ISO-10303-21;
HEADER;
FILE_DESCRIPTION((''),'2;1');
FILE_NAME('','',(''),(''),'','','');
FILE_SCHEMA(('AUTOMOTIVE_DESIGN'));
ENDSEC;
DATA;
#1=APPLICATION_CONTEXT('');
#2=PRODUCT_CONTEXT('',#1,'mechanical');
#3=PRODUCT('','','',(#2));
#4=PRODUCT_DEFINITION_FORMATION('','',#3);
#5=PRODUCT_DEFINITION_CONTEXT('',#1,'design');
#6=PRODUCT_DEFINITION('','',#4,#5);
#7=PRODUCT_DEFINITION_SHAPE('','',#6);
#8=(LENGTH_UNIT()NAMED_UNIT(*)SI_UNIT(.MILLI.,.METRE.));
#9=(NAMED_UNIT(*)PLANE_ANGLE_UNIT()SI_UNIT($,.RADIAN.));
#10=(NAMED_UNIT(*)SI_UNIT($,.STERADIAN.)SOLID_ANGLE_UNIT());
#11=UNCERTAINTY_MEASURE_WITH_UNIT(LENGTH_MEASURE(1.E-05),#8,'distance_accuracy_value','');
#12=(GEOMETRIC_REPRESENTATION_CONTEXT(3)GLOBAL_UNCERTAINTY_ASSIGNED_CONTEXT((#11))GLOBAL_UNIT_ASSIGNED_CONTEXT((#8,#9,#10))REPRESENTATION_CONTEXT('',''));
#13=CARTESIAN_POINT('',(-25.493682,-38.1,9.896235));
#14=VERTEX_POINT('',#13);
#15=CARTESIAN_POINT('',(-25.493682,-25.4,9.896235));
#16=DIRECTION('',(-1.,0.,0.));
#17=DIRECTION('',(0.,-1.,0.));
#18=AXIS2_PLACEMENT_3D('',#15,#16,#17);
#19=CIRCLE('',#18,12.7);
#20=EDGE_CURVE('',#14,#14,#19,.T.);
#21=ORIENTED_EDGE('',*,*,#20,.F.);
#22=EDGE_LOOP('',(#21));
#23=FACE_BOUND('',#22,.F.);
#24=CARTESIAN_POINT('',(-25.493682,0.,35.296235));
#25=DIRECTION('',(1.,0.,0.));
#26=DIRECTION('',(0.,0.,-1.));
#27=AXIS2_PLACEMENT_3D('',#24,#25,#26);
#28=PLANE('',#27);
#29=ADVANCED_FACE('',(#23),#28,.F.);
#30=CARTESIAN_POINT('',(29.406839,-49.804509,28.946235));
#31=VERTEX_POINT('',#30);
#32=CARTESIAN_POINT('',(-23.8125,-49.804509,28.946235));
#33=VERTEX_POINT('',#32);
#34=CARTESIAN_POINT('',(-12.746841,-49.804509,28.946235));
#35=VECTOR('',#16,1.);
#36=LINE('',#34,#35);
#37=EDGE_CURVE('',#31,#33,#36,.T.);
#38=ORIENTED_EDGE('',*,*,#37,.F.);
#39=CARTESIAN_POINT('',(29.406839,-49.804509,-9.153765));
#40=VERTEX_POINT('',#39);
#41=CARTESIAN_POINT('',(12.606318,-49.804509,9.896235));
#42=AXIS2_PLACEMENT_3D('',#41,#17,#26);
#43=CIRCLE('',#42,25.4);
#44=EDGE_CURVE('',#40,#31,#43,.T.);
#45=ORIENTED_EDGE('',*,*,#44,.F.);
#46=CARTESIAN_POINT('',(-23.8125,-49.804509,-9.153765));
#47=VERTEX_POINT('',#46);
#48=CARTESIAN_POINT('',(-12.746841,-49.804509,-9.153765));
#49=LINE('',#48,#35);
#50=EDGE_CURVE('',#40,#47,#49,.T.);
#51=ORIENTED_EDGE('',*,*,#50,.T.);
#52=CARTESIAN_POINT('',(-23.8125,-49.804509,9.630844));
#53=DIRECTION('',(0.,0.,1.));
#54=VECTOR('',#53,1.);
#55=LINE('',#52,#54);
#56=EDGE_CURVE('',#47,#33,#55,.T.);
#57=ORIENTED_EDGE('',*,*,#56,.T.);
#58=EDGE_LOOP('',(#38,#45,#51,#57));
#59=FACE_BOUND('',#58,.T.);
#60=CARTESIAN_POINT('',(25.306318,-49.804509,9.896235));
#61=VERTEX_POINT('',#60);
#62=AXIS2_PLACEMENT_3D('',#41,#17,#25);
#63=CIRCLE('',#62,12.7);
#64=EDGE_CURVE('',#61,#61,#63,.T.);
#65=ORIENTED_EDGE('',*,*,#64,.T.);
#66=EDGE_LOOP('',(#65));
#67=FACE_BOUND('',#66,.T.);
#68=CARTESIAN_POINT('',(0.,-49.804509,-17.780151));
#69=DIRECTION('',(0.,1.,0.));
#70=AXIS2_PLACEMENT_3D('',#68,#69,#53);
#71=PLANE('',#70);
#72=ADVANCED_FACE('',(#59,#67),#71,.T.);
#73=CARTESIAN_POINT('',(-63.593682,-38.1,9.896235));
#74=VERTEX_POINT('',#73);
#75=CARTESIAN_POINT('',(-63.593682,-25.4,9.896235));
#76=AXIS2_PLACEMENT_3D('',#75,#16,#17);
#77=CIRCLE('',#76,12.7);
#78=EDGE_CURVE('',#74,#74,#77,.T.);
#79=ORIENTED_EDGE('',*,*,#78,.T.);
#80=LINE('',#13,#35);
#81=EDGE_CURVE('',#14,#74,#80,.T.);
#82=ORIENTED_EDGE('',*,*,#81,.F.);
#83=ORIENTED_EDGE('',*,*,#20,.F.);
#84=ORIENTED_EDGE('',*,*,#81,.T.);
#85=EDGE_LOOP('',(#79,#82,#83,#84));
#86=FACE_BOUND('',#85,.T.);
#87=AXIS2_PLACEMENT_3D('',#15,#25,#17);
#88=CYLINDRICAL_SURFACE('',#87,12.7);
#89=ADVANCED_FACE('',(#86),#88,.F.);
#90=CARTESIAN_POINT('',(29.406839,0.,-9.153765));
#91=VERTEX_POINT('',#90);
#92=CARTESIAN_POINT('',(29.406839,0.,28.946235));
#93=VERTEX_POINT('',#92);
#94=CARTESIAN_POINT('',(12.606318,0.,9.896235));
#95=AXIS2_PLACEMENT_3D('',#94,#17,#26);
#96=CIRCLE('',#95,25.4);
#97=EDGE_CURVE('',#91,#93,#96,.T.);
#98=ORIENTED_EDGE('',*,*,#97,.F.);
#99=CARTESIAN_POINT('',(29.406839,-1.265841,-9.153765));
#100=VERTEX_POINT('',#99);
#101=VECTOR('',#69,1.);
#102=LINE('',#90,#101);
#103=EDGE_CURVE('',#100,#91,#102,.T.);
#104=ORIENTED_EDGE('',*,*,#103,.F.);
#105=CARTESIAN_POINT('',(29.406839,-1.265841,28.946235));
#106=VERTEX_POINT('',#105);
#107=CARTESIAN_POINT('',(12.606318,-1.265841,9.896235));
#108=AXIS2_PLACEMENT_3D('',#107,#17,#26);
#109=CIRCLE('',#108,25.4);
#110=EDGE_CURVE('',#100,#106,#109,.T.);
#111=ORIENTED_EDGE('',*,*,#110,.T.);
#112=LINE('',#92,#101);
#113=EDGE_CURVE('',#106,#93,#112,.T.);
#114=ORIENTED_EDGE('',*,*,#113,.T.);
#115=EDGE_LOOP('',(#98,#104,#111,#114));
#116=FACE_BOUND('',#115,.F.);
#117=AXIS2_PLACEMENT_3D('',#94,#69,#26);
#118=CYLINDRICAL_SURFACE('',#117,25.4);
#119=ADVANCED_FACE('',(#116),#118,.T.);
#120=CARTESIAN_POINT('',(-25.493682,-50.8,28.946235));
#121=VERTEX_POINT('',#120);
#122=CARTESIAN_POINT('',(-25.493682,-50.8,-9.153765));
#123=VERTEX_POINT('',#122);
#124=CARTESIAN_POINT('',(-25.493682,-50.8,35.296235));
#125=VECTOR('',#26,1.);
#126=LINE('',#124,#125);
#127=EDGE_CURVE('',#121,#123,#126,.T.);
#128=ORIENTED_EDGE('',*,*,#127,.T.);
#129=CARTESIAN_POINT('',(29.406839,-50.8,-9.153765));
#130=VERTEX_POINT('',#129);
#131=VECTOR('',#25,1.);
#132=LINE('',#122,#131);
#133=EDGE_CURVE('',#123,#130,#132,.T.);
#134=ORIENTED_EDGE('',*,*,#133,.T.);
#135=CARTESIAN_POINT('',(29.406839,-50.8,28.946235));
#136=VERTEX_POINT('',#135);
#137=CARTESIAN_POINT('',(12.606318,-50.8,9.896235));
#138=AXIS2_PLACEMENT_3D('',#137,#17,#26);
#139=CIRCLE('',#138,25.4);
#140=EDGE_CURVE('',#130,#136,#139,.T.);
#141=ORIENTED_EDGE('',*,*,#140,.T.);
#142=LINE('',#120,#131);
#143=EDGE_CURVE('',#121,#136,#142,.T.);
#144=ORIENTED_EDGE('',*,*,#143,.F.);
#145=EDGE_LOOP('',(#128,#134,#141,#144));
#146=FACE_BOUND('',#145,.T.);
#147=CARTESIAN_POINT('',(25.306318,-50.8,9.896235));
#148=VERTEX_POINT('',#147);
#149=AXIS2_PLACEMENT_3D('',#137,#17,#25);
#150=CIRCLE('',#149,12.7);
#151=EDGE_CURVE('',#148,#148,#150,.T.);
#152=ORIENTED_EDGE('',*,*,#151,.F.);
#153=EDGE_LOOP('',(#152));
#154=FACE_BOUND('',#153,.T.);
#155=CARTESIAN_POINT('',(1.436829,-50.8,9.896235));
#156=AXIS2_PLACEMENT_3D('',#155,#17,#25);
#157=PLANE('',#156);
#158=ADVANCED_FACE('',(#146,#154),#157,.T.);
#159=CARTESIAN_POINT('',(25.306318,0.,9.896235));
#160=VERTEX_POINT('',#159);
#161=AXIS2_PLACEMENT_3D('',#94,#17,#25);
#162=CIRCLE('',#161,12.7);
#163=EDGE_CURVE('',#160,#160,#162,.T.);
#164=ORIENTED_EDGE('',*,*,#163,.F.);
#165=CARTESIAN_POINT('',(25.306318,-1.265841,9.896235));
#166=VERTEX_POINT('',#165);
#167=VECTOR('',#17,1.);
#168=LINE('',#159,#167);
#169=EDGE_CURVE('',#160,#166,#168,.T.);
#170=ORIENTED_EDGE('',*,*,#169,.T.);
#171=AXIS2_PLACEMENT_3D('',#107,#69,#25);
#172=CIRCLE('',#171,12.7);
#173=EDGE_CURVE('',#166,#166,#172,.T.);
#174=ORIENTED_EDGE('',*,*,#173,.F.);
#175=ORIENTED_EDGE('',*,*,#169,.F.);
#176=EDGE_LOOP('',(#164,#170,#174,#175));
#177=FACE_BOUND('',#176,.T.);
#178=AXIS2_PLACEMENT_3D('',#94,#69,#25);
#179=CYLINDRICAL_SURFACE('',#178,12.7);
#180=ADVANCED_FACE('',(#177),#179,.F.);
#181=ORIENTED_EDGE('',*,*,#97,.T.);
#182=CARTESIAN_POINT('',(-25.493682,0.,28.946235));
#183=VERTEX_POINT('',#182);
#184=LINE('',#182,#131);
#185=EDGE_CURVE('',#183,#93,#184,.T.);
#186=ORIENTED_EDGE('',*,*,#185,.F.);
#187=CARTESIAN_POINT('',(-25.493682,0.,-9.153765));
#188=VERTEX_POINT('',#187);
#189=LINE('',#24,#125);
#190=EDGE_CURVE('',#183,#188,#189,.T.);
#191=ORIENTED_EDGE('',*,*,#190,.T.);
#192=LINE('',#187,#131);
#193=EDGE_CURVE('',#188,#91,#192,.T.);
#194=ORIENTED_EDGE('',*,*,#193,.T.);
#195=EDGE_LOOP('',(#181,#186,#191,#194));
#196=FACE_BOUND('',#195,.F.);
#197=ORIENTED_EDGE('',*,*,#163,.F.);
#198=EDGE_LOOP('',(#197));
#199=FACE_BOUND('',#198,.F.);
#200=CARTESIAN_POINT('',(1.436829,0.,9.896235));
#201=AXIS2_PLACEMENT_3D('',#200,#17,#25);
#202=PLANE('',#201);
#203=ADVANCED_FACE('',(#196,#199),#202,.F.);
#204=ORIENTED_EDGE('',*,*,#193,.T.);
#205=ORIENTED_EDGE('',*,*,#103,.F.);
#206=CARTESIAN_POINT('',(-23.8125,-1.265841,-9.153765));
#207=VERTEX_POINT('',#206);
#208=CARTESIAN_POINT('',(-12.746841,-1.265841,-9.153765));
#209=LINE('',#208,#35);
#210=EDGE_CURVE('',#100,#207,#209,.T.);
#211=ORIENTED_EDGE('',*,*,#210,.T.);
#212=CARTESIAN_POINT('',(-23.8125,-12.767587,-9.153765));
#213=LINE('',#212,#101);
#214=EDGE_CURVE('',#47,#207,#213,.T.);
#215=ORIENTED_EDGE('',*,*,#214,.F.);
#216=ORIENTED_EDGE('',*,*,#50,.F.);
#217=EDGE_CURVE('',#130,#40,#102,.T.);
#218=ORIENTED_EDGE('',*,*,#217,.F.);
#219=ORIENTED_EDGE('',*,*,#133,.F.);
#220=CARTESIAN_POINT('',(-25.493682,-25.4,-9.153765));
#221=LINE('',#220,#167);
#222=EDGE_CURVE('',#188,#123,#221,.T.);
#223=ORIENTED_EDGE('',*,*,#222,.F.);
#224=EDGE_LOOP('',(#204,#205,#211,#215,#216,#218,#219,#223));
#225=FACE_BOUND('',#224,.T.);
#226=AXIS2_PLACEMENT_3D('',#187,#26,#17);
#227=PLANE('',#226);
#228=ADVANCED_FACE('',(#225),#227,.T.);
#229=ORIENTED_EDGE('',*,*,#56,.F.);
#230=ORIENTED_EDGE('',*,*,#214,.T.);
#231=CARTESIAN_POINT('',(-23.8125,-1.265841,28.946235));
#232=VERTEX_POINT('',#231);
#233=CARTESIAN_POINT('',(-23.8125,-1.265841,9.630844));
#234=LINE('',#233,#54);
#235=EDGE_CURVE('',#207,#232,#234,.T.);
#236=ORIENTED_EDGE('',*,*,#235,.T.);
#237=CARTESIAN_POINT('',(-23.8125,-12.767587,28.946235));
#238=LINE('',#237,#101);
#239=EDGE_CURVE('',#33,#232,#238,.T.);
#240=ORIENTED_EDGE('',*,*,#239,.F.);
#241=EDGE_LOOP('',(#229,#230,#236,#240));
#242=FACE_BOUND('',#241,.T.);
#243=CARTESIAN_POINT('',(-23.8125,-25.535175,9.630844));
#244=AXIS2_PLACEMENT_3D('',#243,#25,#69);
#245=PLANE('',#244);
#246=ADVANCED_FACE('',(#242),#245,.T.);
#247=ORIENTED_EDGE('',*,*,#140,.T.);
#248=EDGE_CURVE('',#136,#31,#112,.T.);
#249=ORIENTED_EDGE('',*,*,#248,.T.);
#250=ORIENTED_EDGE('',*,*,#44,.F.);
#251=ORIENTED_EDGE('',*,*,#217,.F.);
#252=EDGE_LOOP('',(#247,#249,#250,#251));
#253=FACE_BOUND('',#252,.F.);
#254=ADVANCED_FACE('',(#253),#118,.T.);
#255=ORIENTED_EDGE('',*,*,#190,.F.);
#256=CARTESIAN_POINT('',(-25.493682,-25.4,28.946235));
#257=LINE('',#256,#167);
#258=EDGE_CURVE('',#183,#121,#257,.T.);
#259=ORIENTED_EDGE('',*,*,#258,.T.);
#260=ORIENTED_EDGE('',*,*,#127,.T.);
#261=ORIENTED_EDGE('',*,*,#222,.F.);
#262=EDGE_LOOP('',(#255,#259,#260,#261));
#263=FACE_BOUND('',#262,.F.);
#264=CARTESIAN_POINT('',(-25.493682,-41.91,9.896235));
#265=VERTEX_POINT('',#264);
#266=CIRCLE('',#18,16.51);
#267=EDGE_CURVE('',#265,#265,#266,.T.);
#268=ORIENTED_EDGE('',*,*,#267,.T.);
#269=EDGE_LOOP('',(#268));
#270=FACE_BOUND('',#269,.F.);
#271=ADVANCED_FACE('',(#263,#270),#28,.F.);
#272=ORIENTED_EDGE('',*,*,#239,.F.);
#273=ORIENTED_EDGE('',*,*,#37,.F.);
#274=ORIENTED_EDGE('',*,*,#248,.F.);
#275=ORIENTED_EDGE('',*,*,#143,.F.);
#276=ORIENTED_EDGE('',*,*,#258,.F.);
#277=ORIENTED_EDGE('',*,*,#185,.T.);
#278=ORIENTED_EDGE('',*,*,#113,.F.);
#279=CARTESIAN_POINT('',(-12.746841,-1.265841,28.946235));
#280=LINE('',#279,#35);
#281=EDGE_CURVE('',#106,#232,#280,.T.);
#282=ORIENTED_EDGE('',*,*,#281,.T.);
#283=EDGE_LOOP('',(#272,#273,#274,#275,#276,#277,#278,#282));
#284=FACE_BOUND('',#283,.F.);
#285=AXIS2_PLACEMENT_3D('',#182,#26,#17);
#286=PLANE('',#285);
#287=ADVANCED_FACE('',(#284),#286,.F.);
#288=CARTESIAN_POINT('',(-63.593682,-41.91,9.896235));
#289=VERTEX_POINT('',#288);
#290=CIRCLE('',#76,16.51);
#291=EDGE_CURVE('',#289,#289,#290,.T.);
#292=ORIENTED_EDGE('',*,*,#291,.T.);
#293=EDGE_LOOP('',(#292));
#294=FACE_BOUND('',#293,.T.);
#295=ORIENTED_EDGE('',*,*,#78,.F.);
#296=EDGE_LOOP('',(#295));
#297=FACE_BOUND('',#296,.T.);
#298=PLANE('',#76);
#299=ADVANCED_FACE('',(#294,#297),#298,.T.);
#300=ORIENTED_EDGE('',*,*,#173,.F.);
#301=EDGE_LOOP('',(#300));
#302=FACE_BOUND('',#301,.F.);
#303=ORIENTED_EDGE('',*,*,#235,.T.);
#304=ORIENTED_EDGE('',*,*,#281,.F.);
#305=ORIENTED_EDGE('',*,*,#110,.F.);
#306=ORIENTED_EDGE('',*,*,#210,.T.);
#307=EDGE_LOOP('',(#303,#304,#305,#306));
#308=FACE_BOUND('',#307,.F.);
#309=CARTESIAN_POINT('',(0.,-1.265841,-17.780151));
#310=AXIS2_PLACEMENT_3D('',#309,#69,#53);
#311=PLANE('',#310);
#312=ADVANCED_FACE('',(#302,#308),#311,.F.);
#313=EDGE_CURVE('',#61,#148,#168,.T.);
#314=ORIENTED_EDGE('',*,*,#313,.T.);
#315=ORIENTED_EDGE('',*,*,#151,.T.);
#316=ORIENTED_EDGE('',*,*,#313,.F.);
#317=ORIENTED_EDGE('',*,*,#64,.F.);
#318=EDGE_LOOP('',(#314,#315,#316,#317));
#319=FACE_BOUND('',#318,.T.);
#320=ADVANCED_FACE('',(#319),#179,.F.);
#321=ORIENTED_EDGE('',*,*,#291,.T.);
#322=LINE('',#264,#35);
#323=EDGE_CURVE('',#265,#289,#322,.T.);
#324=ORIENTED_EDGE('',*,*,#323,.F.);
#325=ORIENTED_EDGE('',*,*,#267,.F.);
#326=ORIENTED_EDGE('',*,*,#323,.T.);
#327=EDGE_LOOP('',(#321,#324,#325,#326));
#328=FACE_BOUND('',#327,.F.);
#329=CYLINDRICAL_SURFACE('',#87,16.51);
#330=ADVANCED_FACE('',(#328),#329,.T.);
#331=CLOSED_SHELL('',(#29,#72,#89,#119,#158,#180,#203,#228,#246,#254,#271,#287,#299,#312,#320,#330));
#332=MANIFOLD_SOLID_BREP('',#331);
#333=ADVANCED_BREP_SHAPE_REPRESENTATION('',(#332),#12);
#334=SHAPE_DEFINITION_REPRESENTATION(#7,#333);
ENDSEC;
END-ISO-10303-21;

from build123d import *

# Parameters (mm, degrees)
F0_R     = 12.7
F1_DEPTH = 50.8
F2_W     = 48.538668
F2_H     = 54.82199
F3_DEPTH = 23.8125
F4_W     = 48.538668
F4_H     = 50.8
F5_DEPTH = 76.2
F6_R     = 16.51
F6_R_2   = 12.7
F7_DEPTH = 38.1
F8_W     = 50.8
F8_H     = 6.35
F9_DEPTH = 101.6


with BuildPart() as f1:
    # F0 (on Front) → F1 (new body)
    with BuildSketch(Plane.XZ):
        with BuildLine():
            Line((-25.493682, 35.296235), (-25.493682, -15.503765))
            Line((-25.493682, -15.503765), (12.606318, -15.503765))
            ThreePointArc((12.606318, -15.503765), (38.006318, 9.896235), (12.606318, 35.296235))
            Line((12.606318, 35.296235), (-25.493682, 35.296235))
        make_face()
        with Locations((12.606318, 9.896235)):
            Circle(F0_R, mode=Mode.SUBTRACT)
    extrude(amount=F1_DEPTH)

    # F2 (on Right) → F3 (cut, symmetric)
    with BuildSketch(Plane.YZ):
        with Locations((-25.535175, 9.630844)):
            Rectangle(F2_W, F2_H)
    extrude(amount=F3_DEPTH, both=True, mode=Mode.SUBTRACT)

    # F4 (on face) → F5 (cut)
    with BuildSketch(Plane.YZ.offset(-23.8125)):
        with Locations((-25.535175, 9.896235)):
            Rectangle(F4_W, F4_H)
    extrude(amount=F5_DEPTH, mode=Mode.SUBTRACT)

    # F6 (on face) → F7 (join)
    with BuildSketch(Plane(origin=(-25.493682, 0, 0), x_dir=(0, -1, 0), z_dir=(-1, 0, 0))):
        with Locations((25.4, 9.896235)):
            Circle(F6_R)
        with Locations((25.4, 9.896235)):
            Circle(F6_R_2, mode=Mode.SUBTRACT)
    extrude(amount=F7_DEPTH)

    # F8 (on face) → F9 (cut)
    with BuildSketch(Plane(origin=(-25.493682, 0, 0), x_dir=(0, -1, 0), z_dir=(-1, 0, 0))):
        with Locations((25.4, 32.121235)):
            Rectangle(F8_W, F8_H)
        with Locations((25.4, -12.328765)):
            Rectangle(F8_W, F8_H)
    extrude(amount=-F9_DEPTH, mode=Mode.SUBTRACT)


solid = f1.part
